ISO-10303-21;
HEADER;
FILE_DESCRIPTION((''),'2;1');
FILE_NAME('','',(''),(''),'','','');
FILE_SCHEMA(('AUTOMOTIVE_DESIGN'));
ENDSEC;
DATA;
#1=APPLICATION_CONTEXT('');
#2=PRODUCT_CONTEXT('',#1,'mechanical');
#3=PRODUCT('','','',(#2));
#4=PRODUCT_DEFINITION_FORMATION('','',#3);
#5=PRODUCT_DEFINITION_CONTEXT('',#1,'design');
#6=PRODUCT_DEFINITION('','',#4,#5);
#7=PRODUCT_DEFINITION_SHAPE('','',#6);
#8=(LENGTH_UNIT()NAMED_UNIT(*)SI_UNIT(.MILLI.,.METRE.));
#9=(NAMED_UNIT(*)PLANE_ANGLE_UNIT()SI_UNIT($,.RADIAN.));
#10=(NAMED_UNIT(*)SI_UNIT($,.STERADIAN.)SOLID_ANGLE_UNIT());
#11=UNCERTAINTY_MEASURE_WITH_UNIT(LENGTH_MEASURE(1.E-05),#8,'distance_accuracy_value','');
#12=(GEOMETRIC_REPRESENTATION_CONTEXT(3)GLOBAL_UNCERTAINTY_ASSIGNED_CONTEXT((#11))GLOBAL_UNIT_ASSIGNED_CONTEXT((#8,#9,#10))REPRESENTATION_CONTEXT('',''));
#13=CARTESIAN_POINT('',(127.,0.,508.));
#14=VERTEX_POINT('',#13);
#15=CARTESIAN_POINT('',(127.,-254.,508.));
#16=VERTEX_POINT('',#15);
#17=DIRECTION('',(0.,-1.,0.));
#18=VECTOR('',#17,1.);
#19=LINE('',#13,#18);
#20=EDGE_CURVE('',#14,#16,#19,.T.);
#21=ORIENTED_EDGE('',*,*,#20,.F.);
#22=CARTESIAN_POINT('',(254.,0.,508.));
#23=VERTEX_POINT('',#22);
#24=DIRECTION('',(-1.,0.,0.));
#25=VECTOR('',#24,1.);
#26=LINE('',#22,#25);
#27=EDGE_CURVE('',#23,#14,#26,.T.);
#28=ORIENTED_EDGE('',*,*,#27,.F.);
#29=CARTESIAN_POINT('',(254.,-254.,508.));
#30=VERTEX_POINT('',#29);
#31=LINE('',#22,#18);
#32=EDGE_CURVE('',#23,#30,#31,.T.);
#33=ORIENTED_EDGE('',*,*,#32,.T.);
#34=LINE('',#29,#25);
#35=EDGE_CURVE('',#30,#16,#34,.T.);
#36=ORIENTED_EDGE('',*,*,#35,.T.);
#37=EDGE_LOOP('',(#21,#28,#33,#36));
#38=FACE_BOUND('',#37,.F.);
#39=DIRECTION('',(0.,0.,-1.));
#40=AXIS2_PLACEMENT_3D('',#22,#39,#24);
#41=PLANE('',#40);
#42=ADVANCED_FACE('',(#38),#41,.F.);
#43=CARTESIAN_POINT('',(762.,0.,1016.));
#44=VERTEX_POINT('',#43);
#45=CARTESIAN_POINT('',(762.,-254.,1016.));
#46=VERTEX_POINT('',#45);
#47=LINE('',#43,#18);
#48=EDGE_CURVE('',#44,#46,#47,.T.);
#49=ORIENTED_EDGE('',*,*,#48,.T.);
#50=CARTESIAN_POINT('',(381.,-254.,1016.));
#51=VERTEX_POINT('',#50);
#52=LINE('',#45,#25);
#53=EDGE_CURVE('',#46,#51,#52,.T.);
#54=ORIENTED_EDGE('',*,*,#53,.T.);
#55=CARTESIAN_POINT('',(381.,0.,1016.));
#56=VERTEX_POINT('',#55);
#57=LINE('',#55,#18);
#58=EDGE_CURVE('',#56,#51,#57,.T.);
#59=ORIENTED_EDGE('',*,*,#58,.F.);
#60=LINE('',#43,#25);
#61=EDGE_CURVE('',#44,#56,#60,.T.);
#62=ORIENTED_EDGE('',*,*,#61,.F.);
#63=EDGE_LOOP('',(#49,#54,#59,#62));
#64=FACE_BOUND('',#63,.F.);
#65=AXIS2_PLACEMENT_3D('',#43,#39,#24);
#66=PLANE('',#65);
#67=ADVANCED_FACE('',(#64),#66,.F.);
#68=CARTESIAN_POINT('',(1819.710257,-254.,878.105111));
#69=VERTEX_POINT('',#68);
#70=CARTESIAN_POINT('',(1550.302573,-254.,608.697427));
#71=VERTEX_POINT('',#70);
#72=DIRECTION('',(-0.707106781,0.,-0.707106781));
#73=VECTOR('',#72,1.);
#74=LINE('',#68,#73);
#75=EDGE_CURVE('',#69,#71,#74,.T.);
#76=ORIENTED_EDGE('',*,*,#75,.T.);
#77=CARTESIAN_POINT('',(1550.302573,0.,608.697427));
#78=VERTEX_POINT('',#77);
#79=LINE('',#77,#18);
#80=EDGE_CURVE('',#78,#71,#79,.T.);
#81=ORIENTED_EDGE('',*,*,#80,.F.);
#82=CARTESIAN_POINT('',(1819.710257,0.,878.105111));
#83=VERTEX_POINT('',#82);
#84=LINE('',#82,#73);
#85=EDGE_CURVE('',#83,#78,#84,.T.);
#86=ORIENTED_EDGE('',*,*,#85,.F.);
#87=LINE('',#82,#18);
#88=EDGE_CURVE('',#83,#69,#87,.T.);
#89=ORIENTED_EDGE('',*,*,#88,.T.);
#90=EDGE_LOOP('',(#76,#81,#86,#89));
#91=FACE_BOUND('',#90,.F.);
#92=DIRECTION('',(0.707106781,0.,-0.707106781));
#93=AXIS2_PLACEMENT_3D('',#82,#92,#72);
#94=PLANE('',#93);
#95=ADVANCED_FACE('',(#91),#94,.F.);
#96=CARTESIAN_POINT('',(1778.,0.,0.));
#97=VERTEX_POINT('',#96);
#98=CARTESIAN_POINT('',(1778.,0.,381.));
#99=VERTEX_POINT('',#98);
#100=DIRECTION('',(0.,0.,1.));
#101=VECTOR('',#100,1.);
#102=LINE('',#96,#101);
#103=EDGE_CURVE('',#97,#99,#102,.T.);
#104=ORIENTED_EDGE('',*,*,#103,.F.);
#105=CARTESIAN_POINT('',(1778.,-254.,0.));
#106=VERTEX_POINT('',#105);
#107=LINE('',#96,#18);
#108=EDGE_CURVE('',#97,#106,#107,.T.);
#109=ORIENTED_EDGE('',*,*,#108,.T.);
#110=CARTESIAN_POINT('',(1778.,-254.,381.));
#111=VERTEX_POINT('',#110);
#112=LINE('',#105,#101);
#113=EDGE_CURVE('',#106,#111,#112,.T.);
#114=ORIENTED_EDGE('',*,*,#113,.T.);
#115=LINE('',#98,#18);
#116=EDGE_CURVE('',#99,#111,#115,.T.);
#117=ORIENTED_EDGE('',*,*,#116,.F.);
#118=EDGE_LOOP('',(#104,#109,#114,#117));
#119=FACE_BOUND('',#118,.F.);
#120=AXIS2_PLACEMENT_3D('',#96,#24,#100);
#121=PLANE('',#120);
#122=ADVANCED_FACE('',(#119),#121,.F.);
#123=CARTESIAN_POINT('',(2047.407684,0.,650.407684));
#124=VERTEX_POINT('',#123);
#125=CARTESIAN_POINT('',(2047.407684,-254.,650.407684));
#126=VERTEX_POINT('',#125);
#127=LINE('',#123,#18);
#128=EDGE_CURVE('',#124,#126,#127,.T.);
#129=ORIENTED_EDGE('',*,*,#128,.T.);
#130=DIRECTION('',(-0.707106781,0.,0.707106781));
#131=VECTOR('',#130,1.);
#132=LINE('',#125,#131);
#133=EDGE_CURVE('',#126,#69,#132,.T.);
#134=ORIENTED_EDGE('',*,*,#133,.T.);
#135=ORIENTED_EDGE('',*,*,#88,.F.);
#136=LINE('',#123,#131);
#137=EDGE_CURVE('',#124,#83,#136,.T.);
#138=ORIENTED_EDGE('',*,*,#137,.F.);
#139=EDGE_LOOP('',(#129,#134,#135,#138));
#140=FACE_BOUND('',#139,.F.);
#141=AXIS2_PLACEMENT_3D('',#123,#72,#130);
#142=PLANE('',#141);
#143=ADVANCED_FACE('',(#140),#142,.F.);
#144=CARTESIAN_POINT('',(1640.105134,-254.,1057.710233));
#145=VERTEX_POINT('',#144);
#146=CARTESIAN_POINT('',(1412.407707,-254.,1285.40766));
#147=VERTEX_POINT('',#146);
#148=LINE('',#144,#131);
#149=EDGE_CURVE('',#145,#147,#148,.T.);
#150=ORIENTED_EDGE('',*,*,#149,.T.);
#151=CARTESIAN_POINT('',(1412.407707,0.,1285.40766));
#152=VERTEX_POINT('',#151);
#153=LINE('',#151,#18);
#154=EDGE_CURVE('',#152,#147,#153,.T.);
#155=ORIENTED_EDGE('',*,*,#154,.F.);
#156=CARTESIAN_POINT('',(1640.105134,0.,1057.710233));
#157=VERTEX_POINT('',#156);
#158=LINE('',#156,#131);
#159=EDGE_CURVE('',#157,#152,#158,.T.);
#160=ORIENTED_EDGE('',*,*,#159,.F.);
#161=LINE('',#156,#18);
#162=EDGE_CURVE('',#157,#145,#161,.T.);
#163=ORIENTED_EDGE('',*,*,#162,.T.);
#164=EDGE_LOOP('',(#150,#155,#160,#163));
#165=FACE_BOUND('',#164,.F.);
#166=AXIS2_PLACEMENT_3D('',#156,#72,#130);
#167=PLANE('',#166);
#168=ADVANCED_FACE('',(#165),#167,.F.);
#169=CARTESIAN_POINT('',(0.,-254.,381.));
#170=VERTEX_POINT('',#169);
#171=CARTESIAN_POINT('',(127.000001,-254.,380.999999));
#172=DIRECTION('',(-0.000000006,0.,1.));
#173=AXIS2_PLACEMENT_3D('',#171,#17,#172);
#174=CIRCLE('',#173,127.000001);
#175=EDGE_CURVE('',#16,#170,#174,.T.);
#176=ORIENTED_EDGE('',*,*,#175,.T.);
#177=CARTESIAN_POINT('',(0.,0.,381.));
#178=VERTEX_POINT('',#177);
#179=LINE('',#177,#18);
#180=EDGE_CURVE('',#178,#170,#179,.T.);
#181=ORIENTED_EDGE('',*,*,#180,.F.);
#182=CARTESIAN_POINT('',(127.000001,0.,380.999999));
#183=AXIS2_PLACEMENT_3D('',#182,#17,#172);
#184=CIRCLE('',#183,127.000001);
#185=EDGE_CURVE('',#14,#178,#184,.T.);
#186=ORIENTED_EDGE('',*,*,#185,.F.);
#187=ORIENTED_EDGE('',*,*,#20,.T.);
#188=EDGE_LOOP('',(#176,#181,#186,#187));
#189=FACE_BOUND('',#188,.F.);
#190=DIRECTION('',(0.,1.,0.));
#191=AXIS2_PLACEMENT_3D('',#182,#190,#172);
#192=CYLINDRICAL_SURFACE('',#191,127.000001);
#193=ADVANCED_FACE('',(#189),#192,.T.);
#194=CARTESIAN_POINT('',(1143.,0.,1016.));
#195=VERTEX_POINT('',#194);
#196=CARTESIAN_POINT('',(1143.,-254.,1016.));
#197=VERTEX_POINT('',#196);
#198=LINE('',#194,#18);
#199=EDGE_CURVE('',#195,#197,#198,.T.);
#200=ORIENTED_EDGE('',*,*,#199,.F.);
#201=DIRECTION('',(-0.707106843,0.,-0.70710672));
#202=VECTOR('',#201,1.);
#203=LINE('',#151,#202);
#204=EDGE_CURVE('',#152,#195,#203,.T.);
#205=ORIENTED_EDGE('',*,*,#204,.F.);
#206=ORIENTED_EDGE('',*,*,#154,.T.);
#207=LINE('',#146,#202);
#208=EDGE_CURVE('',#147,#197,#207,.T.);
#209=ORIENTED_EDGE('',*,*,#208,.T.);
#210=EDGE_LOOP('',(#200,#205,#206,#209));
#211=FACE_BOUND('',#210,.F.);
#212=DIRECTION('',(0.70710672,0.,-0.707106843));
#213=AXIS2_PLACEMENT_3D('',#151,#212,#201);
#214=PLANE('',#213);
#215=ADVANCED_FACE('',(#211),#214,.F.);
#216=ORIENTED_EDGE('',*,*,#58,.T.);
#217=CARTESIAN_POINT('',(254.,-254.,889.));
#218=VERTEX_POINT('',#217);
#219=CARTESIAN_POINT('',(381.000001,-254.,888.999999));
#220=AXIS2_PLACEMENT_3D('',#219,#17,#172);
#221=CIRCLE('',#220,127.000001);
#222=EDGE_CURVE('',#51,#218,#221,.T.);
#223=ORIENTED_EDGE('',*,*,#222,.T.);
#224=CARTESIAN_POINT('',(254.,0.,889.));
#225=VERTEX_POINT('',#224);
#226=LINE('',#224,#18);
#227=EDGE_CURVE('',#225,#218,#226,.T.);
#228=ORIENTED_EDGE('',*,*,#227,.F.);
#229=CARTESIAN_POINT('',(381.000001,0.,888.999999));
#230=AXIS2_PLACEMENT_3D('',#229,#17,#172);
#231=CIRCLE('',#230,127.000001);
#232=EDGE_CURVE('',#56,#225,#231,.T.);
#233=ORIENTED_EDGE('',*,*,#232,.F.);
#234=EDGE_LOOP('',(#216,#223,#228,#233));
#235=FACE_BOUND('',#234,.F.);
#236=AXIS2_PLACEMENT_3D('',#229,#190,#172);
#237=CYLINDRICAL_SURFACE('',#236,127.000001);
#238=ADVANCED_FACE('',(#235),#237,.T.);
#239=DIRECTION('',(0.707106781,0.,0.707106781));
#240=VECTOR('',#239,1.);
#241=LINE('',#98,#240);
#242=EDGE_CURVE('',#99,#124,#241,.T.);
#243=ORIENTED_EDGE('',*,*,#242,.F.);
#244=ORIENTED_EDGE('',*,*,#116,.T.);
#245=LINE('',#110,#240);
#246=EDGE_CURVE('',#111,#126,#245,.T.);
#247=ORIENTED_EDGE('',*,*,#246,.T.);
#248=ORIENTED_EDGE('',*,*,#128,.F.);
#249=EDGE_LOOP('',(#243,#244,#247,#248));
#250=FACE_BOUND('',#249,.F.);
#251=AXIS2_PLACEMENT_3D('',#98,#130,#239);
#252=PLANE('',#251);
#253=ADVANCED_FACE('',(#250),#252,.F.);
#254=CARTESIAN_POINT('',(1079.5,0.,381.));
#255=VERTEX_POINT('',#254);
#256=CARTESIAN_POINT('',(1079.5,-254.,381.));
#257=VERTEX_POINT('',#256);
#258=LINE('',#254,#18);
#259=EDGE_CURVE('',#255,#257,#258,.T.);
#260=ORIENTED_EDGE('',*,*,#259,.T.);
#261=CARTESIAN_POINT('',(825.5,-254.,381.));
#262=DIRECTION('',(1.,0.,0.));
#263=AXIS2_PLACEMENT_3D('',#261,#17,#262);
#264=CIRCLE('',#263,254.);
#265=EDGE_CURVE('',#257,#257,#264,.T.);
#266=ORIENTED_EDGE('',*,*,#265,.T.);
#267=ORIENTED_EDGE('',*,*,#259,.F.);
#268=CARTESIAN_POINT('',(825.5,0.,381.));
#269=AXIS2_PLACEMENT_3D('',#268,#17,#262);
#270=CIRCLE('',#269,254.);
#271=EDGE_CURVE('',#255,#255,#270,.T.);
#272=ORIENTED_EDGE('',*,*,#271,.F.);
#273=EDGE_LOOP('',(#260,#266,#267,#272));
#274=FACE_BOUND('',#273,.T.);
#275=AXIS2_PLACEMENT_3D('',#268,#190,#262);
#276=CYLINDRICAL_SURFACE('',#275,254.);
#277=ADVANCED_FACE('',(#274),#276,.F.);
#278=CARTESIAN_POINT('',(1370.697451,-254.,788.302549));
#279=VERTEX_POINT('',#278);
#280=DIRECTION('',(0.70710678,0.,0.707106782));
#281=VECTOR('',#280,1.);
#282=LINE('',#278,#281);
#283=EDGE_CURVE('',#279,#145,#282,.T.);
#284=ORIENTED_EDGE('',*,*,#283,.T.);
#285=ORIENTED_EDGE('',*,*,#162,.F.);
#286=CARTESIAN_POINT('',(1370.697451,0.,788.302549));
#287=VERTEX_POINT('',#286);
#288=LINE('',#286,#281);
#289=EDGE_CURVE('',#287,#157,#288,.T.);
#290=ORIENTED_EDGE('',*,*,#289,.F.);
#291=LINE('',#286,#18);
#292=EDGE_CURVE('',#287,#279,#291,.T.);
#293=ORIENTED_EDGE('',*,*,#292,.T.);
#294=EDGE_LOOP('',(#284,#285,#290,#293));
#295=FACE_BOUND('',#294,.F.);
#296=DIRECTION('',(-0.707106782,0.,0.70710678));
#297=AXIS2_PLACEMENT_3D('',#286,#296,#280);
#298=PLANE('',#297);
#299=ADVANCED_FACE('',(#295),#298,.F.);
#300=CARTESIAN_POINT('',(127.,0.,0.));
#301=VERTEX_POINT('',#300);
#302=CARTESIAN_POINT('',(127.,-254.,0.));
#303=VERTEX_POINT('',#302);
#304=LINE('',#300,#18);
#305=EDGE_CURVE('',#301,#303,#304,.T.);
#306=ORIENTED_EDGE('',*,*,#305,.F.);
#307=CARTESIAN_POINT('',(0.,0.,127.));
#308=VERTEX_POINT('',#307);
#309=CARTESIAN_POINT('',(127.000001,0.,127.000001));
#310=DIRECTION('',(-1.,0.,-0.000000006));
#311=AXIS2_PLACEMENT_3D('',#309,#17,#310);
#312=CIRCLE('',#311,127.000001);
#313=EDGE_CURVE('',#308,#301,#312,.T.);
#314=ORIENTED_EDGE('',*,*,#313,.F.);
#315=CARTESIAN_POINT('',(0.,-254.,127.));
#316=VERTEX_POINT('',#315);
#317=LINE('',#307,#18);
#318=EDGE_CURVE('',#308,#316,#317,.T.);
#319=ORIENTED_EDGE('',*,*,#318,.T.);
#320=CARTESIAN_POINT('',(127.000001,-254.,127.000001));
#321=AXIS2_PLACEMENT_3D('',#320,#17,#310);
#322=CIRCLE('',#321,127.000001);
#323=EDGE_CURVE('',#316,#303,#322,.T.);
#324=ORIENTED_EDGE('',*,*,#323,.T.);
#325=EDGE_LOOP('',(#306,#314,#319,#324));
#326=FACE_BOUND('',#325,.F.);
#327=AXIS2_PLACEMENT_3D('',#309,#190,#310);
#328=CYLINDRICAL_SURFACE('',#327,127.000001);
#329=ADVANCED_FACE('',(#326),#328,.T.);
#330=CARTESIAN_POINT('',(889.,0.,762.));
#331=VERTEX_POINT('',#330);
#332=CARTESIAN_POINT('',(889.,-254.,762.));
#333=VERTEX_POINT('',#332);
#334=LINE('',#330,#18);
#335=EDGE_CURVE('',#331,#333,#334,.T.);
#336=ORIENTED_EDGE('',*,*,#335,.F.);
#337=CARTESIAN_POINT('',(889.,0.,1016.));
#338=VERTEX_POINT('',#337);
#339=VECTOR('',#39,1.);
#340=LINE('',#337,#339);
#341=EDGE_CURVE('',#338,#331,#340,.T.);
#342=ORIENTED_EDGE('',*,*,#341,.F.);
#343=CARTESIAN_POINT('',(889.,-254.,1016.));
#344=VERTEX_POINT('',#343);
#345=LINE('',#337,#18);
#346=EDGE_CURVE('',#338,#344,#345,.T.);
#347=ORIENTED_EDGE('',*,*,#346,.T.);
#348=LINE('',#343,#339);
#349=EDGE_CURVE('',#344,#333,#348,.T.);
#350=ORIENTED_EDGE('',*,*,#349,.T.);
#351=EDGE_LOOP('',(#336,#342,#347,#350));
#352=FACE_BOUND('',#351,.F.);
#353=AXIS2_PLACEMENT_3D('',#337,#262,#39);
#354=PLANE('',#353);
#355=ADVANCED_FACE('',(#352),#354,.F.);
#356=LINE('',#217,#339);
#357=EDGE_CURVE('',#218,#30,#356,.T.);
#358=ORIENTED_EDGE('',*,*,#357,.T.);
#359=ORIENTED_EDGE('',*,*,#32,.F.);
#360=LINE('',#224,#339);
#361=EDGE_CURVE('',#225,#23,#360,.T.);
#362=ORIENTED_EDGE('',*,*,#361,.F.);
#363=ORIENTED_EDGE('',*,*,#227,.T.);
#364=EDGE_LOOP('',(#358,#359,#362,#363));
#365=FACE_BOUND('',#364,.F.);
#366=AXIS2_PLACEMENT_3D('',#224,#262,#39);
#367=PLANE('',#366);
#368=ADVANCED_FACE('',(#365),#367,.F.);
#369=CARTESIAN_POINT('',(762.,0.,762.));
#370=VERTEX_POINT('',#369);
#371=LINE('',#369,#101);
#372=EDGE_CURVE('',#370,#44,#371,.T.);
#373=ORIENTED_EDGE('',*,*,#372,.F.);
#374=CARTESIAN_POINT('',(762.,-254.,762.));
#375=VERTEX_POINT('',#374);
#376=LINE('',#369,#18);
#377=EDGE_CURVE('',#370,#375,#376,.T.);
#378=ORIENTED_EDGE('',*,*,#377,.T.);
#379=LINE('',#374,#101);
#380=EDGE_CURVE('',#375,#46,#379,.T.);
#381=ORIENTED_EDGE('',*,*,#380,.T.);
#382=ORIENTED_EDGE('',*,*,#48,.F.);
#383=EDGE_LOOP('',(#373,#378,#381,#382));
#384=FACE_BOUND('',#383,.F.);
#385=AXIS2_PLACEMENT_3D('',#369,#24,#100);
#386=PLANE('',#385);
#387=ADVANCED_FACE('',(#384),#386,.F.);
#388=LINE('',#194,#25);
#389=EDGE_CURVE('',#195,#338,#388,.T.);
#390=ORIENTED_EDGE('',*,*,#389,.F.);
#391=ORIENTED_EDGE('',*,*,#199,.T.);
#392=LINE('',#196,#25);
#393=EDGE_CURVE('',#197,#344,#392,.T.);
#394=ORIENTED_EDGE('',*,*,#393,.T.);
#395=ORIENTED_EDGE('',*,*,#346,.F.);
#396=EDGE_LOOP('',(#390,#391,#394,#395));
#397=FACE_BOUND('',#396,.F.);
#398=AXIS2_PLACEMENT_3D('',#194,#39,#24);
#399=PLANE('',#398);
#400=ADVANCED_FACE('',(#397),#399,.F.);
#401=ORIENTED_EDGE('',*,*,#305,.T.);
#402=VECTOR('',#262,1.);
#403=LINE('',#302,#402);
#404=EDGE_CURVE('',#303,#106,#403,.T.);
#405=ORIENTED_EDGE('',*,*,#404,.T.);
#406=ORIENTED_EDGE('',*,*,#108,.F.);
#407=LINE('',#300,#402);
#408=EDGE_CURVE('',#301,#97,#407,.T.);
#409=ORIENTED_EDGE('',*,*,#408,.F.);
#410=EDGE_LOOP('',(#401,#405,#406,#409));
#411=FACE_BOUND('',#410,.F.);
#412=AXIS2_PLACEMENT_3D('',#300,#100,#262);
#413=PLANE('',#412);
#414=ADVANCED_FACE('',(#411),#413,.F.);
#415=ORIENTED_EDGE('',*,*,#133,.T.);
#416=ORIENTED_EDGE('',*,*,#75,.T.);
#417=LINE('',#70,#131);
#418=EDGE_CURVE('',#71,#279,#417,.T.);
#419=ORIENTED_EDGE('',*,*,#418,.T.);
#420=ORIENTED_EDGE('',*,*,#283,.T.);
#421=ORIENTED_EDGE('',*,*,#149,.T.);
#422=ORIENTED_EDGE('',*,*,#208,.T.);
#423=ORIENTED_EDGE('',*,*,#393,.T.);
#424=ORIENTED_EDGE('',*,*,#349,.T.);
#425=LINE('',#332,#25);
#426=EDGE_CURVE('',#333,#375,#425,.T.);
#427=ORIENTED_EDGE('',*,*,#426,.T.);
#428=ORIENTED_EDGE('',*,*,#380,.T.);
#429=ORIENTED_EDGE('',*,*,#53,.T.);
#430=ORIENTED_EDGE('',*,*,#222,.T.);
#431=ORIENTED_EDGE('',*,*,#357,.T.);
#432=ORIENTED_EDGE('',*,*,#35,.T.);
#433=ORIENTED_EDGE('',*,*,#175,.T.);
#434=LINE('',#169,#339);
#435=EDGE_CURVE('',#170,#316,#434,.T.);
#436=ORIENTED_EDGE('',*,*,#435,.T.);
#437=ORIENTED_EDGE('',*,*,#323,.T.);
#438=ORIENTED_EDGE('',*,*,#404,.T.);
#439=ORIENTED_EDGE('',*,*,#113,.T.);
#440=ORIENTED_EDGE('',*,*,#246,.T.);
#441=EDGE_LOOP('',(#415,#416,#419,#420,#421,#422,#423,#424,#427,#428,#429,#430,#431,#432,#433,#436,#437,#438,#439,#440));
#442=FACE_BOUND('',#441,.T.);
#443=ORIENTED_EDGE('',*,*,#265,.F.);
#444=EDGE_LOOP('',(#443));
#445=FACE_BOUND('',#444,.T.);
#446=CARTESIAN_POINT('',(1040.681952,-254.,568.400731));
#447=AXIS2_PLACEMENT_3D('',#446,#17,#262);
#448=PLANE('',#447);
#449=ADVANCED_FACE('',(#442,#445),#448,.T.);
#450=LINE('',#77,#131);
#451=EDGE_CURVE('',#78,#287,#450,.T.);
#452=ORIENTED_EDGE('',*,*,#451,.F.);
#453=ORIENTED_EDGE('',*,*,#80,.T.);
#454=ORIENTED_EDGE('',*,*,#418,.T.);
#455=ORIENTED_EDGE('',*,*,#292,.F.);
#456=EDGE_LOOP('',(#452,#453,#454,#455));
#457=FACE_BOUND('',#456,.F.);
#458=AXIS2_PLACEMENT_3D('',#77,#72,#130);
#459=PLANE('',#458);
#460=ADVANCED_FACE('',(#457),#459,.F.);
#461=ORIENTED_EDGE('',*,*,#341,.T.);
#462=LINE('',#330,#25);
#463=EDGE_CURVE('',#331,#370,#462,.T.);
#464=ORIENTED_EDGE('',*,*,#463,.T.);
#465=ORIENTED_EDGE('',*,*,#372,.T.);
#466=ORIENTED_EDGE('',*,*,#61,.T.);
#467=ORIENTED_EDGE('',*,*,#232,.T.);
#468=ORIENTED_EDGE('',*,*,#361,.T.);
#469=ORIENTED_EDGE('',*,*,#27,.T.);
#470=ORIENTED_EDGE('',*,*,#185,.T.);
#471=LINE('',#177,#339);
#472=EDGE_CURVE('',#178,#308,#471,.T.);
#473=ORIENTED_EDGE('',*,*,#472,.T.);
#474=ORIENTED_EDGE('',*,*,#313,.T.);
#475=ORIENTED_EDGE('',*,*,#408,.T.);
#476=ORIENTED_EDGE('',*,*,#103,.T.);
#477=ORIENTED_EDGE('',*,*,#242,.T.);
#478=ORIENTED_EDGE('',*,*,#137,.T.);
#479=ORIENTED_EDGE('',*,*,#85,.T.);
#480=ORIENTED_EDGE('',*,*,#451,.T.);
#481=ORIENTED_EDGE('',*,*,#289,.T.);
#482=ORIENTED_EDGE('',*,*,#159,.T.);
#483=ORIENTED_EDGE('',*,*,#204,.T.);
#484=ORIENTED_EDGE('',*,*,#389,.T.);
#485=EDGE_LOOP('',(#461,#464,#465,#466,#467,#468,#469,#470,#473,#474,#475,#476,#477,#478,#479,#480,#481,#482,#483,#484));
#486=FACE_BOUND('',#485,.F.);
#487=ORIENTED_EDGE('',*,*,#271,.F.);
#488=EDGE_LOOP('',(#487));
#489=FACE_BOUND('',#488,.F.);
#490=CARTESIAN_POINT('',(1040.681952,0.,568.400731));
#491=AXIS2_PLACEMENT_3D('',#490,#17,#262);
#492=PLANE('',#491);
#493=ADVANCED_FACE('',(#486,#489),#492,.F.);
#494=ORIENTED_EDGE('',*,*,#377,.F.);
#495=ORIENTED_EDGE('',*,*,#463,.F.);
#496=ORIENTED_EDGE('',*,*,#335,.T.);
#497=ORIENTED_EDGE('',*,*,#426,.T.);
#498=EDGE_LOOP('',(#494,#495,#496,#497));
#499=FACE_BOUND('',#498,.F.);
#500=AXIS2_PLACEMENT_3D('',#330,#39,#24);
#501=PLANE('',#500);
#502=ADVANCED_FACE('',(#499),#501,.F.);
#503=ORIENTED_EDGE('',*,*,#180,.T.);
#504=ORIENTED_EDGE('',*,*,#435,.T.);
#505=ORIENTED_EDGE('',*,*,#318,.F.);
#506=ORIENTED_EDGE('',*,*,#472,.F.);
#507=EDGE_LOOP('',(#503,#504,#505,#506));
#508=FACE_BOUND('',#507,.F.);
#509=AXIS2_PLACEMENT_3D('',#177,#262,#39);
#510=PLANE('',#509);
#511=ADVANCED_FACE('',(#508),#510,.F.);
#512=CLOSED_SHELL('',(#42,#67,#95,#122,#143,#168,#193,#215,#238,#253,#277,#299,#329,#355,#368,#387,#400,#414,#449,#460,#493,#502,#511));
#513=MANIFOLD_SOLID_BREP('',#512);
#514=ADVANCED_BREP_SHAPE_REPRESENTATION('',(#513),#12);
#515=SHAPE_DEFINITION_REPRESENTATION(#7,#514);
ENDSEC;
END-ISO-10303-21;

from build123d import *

# Parameters (mm, degrees)
F0_R     = 254
F1_DEPTH = 254


with BuildPart() as f1:
    # F0 (on Front) → F1 (new body)
    with BuildSketch(Plane.XZ):
        with BuildLine():
            ThreePointArc((0, 127), (37.197439, 37.197439), (127, 0))
            Line((127, 0), (1778, 0))
            Line((1778, 0), (1778, 381))
            Line((1778, 381), (2047.407684, 650.407684))
            Line((2047.407684, 650.407684), (1819.710257, 878.105111))
            Line((1819.710257, 878.105111), (1550.302573, 608.697427))
            Line((1550.302573, 608.697427), (1370.697451, 788.302549))
            Line((1370.697451, 788.302549), (1640.105134, 1057.710233))
            Line((1640.105134, 1057.710233), (1412.407707, 1285.40766))
            Line((1412.407707, 1285.40766), (1143, 1016))
            Line((1143, 1016), (889, 1016))
            Line((889, 1016), (889, 762))
            Line((889, 762), (762, 762))
            Line((762, 762), (762, 1016))
            Line((762, 1016), (381, 1016))
            ThreePointArc((381, 1016), (291.197439, 978.802561), (254, 889))
            Line((254, 889), (254, 508))
            Line((254, 508), (127, 508))
            ThreePointArc((127, 508), (37.197439, 470.802561), (0, 381))
            Line((0, 381), (0, 127))
        make_face()
        with Locations((825.5, 381)):
            Circle(F0_R, mode=Mode.SUBTRACT)
    extrude(amount=F1_DEPTH)


solid = f1.part
